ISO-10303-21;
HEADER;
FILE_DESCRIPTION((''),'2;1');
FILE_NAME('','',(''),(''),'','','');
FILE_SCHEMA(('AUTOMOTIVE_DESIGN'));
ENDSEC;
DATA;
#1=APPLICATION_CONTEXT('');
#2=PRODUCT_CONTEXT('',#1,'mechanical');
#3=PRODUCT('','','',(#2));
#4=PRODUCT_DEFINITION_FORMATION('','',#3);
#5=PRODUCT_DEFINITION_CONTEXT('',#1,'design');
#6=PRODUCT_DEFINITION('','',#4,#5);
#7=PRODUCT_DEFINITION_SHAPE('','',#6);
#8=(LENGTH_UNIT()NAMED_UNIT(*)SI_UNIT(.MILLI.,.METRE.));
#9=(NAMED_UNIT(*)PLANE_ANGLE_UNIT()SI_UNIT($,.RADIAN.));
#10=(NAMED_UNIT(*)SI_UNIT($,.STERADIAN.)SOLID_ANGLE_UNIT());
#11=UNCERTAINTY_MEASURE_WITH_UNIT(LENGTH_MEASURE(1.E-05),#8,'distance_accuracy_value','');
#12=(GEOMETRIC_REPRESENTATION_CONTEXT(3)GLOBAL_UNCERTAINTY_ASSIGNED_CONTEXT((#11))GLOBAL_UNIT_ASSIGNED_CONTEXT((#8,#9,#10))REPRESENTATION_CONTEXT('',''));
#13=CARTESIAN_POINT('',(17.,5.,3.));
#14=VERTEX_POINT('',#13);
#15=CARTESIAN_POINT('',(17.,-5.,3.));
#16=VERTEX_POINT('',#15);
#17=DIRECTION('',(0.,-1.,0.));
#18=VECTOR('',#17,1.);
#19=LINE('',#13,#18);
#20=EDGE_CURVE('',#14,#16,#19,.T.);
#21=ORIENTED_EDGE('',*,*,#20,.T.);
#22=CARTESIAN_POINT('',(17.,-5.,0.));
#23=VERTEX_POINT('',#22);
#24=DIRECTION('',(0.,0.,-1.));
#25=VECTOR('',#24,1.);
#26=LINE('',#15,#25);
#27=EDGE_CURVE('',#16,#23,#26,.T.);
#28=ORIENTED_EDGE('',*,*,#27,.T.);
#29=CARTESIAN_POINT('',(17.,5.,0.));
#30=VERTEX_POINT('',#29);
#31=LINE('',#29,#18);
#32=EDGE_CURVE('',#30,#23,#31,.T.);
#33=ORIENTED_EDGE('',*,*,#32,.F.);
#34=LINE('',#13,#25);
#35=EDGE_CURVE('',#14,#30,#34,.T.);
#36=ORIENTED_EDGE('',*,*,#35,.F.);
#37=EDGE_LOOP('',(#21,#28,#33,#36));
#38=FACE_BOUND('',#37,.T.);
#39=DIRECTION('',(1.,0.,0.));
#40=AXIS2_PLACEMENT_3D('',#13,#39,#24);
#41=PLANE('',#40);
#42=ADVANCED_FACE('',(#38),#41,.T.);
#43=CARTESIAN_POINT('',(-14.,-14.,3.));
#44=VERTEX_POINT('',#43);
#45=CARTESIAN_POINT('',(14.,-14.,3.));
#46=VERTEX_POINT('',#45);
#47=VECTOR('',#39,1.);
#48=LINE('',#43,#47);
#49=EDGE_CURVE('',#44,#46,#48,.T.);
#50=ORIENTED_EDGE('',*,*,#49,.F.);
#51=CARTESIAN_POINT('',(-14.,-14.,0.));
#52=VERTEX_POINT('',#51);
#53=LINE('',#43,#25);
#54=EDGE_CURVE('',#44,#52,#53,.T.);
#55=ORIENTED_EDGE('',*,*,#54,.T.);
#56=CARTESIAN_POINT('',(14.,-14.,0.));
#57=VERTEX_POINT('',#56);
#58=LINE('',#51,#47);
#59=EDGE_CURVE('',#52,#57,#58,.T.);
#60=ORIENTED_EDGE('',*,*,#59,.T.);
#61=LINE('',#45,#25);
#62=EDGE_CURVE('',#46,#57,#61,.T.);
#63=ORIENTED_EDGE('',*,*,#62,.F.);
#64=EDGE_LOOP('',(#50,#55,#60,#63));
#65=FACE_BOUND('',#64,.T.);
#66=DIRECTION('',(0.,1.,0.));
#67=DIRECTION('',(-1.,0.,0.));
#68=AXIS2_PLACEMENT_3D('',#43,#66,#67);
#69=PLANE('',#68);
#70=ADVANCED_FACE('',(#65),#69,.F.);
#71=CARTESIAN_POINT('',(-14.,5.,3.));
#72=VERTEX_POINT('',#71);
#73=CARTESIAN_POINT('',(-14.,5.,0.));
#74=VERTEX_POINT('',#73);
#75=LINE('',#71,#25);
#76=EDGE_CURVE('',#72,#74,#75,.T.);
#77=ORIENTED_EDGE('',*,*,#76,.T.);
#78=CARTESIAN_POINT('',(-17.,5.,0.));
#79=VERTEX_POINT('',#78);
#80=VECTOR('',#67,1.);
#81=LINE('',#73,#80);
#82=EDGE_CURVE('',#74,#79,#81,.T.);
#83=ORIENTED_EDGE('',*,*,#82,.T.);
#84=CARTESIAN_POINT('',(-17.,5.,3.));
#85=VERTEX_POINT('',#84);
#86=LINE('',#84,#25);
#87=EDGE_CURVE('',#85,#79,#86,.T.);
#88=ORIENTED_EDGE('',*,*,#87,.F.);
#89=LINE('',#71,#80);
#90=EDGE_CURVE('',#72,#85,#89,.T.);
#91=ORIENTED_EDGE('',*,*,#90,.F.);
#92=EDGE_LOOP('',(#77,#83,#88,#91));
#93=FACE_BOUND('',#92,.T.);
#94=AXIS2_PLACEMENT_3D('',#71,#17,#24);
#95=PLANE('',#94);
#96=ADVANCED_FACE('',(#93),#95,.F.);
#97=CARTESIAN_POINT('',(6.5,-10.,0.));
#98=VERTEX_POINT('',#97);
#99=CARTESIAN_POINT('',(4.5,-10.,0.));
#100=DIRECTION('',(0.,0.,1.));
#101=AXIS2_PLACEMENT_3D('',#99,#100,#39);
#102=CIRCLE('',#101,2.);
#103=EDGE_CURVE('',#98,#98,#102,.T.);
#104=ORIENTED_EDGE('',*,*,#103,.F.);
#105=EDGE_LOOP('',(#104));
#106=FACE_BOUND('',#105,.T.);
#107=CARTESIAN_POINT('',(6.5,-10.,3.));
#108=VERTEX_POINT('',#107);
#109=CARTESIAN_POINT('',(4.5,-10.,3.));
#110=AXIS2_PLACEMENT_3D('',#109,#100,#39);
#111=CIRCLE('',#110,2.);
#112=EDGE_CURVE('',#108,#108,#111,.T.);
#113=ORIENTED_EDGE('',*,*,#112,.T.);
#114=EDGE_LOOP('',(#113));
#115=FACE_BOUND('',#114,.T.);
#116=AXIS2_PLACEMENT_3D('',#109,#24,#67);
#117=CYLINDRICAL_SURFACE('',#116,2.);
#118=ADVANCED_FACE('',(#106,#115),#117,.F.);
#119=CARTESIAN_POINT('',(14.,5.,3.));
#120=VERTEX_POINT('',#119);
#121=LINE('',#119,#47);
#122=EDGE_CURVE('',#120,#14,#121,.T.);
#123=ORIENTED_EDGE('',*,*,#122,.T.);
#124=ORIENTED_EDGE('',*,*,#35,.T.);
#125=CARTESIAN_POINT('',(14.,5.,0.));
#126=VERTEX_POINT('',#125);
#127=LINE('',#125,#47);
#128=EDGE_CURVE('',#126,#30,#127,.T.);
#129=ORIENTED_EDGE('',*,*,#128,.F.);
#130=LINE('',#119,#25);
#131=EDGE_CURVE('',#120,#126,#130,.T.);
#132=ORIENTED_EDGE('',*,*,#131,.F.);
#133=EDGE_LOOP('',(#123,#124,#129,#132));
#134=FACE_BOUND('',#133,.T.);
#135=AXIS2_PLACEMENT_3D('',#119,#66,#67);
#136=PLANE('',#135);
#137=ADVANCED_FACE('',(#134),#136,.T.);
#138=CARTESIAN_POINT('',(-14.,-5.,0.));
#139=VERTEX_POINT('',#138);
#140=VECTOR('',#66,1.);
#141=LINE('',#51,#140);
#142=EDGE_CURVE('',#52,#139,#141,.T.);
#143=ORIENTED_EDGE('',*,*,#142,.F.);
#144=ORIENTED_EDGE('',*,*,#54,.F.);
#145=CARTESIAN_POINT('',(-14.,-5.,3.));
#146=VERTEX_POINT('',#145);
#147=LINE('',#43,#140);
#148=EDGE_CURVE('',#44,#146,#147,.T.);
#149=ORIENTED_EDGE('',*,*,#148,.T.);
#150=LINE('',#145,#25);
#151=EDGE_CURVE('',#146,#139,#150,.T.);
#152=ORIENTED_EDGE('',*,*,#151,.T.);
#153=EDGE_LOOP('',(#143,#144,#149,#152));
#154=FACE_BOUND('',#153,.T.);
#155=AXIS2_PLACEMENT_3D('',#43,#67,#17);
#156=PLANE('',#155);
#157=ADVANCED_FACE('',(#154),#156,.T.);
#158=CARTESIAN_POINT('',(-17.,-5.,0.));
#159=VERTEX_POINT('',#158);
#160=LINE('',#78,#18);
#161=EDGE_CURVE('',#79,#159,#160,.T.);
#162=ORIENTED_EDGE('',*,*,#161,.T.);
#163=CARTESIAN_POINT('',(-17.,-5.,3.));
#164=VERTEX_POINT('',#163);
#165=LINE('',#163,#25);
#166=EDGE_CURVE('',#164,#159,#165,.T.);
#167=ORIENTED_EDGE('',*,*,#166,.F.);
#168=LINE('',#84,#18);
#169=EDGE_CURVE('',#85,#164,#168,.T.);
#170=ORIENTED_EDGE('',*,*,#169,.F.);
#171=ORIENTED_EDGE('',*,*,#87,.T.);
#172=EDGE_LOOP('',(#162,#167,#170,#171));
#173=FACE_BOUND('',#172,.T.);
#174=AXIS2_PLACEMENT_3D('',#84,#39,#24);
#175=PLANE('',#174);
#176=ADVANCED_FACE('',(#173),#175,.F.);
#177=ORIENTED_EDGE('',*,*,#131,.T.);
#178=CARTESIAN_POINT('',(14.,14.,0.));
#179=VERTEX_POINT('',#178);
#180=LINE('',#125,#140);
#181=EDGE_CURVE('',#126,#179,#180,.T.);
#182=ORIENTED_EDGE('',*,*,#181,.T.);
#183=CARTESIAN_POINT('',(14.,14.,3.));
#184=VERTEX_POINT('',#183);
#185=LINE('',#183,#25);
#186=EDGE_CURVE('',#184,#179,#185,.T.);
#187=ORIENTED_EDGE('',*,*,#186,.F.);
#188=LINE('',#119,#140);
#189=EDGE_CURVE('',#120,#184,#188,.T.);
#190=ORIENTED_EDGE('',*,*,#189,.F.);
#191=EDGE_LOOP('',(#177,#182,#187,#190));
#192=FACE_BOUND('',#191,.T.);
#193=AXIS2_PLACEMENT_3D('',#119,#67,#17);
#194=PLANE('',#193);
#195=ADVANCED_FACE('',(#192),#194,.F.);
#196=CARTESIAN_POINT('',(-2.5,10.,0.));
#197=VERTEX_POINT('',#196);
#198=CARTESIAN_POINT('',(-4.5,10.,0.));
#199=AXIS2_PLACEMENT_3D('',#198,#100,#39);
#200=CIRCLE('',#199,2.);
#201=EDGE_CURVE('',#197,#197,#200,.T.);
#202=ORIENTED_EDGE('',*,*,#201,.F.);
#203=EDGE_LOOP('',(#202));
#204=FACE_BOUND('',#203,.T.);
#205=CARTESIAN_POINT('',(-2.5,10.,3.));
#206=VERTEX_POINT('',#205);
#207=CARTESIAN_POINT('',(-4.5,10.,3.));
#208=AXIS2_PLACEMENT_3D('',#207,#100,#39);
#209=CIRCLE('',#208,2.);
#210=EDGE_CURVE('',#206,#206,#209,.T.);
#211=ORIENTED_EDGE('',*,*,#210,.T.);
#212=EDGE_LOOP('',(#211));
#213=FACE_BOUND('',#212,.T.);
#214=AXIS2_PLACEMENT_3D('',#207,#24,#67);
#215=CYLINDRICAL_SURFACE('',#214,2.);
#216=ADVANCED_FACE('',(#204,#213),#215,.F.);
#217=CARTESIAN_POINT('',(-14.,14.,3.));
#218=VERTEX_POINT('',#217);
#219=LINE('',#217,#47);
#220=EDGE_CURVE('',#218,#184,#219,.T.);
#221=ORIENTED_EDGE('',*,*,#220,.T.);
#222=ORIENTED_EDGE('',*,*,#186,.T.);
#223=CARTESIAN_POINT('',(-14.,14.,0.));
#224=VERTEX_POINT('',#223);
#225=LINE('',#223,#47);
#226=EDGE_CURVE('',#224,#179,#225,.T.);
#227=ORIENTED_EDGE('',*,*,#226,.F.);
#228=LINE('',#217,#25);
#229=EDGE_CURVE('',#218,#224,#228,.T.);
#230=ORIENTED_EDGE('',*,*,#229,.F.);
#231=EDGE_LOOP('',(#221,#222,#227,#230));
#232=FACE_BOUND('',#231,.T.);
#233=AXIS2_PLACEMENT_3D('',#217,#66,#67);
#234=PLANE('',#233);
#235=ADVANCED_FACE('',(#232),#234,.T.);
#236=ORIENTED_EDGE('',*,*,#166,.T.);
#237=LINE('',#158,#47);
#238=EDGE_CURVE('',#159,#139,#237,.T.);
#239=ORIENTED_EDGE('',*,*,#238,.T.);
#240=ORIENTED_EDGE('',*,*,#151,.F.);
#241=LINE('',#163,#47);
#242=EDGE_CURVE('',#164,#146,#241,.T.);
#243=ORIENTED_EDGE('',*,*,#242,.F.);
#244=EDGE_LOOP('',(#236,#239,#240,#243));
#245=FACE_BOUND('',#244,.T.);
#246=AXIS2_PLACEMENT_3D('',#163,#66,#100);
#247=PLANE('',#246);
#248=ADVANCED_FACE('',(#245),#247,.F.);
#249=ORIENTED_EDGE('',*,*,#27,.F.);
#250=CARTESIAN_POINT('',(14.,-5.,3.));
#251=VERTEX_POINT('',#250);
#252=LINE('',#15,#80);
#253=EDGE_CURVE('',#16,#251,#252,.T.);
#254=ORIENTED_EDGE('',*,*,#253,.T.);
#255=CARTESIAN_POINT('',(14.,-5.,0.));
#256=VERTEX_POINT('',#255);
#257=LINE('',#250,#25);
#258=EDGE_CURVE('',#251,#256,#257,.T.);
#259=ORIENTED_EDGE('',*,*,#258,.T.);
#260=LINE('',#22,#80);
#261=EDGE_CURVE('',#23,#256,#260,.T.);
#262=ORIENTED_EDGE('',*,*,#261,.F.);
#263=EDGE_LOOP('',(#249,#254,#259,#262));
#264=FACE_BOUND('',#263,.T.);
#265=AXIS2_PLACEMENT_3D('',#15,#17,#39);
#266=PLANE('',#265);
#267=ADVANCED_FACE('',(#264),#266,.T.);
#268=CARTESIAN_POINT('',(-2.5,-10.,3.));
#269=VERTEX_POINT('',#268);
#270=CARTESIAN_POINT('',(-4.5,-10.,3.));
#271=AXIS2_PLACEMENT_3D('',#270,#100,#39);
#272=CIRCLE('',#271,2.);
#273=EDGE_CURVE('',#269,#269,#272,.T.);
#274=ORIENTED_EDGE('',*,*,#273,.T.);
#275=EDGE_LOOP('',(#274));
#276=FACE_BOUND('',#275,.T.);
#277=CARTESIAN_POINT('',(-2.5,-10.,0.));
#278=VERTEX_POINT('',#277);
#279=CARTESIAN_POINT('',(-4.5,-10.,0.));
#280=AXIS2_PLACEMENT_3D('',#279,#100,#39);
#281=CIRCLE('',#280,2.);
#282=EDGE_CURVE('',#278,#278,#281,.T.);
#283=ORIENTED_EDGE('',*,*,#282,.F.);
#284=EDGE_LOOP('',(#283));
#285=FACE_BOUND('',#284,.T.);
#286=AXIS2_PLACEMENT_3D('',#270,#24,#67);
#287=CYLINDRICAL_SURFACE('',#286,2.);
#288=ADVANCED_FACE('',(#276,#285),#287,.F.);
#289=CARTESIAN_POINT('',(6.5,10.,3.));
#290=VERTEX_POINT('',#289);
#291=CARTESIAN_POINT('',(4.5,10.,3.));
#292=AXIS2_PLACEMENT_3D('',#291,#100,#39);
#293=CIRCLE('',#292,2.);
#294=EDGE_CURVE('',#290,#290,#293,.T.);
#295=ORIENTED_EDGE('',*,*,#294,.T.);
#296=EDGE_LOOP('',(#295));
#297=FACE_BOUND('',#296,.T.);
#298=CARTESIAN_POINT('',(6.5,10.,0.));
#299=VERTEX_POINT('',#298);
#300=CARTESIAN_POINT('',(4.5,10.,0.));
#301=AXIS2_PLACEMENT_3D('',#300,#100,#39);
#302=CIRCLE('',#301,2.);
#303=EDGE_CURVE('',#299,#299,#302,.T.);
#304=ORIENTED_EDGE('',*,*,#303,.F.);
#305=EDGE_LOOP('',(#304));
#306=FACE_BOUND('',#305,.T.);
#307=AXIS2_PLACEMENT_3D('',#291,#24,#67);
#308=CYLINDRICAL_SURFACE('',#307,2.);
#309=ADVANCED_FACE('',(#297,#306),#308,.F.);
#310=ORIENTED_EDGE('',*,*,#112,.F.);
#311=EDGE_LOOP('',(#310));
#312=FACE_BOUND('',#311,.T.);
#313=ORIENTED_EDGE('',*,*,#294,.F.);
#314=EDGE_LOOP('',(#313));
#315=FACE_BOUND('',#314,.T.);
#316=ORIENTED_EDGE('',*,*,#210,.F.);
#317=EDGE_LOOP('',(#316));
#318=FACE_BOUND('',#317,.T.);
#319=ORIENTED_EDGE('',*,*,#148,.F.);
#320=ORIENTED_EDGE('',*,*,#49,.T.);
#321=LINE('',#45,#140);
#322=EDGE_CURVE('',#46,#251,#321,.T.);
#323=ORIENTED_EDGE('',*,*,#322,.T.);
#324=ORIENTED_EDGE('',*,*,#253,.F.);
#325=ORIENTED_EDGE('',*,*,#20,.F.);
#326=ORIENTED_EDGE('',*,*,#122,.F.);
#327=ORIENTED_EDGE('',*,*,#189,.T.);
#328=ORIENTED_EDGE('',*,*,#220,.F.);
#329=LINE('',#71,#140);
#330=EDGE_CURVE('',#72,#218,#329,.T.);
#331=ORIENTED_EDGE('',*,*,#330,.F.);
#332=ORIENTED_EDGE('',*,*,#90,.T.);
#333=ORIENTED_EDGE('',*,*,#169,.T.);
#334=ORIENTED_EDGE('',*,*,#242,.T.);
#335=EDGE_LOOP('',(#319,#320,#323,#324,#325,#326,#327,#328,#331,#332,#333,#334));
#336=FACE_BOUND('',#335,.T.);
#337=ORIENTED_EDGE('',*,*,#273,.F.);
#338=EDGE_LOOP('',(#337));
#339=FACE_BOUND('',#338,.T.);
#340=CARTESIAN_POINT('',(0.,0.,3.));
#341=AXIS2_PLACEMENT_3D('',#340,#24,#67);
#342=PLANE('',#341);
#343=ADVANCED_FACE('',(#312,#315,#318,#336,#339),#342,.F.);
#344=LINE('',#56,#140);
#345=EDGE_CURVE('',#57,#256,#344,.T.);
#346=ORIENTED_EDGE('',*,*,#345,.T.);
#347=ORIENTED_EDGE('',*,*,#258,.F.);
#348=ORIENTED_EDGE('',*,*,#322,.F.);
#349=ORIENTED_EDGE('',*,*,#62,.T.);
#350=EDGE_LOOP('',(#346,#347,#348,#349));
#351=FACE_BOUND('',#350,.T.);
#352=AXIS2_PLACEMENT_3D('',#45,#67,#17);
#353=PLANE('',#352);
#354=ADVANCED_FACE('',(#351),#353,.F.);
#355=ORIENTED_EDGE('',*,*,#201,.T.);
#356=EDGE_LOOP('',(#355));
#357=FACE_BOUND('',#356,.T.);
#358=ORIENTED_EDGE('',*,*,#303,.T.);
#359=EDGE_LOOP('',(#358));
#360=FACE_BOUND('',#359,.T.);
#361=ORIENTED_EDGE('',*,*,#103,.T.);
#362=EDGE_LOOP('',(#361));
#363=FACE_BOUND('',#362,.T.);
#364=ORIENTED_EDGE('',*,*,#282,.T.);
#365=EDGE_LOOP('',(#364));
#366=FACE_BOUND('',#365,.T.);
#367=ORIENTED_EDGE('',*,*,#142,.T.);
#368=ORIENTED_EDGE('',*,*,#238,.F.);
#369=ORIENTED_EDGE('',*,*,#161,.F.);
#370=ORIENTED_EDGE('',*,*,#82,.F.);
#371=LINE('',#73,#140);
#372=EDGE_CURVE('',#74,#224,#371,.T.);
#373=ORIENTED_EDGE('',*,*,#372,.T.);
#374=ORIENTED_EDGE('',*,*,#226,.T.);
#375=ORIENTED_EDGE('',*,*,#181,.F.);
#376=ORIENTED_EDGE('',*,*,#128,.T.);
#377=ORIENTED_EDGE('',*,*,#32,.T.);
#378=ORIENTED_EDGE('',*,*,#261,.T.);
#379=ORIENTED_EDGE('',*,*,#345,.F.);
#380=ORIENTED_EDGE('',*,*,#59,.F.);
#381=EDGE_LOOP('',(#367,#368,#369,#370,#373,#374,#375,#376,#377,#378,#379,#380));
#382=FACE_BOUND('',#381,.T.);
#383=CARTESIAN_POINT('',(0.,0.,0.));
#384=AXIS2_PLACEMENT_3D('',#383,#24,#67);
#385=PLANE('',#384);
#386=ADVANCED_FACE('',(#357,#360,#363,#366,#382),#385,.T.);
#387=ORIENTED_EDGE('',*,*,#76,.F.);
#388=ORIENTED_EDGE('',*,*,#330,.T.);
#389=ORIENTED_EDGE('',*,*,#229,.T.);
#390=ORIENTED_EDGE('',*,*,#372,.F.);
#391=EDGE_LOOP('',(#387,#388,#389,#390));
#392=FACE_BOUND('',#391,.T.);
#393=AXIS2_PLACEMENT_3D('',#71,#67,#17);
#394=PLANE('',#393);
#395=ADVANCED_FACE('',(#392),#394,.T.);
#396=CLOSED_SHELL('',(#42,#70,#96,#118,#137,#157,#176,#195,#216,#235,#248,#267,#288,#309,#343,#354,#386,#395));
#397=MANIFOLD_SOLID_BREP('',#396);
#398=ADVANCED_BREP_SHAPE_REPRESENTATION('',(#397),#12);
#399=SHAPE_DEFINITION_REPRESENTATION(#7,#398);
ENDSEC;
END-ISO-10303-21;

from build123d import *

# Parameters (mm, degrees)
SKETCH1_R           = 2
BOSS_EXTRUDE1_DEPTH = 3


with BuildPart() as part:
    # Sketch1 → Boss-Extrude1 (new body)
    with BuildSketch(Plane.XY):
        Polygon((-14, -14), (14, -14), (14, -5), (17, -5), (17, 5), (14, 5), (14, 14), (-14, 14), (-14, 5), (-17, 5), (-17, -5), (-14, -5), align=None)
        with Locations((-4.5, 10)):
            Circle(SKETCH1_R, mode=Mode.SUBTRACT)
        with Locations((4.5, 10)):
            Circle(SKETCH1_R, mode=Mode.SUBTRACT)
        with Locations((-4.5, -10)):
            Circle(SKETCH1_R, mode=Mode.SUBTRACT)
        with Locations((4.5, -10)):
            Circle(SKETCH1_R, mode=Mode.SUBTRACT)
    extrude(amount=BOSS_EXTRUDE1_DEPTH)


solid = part.part
